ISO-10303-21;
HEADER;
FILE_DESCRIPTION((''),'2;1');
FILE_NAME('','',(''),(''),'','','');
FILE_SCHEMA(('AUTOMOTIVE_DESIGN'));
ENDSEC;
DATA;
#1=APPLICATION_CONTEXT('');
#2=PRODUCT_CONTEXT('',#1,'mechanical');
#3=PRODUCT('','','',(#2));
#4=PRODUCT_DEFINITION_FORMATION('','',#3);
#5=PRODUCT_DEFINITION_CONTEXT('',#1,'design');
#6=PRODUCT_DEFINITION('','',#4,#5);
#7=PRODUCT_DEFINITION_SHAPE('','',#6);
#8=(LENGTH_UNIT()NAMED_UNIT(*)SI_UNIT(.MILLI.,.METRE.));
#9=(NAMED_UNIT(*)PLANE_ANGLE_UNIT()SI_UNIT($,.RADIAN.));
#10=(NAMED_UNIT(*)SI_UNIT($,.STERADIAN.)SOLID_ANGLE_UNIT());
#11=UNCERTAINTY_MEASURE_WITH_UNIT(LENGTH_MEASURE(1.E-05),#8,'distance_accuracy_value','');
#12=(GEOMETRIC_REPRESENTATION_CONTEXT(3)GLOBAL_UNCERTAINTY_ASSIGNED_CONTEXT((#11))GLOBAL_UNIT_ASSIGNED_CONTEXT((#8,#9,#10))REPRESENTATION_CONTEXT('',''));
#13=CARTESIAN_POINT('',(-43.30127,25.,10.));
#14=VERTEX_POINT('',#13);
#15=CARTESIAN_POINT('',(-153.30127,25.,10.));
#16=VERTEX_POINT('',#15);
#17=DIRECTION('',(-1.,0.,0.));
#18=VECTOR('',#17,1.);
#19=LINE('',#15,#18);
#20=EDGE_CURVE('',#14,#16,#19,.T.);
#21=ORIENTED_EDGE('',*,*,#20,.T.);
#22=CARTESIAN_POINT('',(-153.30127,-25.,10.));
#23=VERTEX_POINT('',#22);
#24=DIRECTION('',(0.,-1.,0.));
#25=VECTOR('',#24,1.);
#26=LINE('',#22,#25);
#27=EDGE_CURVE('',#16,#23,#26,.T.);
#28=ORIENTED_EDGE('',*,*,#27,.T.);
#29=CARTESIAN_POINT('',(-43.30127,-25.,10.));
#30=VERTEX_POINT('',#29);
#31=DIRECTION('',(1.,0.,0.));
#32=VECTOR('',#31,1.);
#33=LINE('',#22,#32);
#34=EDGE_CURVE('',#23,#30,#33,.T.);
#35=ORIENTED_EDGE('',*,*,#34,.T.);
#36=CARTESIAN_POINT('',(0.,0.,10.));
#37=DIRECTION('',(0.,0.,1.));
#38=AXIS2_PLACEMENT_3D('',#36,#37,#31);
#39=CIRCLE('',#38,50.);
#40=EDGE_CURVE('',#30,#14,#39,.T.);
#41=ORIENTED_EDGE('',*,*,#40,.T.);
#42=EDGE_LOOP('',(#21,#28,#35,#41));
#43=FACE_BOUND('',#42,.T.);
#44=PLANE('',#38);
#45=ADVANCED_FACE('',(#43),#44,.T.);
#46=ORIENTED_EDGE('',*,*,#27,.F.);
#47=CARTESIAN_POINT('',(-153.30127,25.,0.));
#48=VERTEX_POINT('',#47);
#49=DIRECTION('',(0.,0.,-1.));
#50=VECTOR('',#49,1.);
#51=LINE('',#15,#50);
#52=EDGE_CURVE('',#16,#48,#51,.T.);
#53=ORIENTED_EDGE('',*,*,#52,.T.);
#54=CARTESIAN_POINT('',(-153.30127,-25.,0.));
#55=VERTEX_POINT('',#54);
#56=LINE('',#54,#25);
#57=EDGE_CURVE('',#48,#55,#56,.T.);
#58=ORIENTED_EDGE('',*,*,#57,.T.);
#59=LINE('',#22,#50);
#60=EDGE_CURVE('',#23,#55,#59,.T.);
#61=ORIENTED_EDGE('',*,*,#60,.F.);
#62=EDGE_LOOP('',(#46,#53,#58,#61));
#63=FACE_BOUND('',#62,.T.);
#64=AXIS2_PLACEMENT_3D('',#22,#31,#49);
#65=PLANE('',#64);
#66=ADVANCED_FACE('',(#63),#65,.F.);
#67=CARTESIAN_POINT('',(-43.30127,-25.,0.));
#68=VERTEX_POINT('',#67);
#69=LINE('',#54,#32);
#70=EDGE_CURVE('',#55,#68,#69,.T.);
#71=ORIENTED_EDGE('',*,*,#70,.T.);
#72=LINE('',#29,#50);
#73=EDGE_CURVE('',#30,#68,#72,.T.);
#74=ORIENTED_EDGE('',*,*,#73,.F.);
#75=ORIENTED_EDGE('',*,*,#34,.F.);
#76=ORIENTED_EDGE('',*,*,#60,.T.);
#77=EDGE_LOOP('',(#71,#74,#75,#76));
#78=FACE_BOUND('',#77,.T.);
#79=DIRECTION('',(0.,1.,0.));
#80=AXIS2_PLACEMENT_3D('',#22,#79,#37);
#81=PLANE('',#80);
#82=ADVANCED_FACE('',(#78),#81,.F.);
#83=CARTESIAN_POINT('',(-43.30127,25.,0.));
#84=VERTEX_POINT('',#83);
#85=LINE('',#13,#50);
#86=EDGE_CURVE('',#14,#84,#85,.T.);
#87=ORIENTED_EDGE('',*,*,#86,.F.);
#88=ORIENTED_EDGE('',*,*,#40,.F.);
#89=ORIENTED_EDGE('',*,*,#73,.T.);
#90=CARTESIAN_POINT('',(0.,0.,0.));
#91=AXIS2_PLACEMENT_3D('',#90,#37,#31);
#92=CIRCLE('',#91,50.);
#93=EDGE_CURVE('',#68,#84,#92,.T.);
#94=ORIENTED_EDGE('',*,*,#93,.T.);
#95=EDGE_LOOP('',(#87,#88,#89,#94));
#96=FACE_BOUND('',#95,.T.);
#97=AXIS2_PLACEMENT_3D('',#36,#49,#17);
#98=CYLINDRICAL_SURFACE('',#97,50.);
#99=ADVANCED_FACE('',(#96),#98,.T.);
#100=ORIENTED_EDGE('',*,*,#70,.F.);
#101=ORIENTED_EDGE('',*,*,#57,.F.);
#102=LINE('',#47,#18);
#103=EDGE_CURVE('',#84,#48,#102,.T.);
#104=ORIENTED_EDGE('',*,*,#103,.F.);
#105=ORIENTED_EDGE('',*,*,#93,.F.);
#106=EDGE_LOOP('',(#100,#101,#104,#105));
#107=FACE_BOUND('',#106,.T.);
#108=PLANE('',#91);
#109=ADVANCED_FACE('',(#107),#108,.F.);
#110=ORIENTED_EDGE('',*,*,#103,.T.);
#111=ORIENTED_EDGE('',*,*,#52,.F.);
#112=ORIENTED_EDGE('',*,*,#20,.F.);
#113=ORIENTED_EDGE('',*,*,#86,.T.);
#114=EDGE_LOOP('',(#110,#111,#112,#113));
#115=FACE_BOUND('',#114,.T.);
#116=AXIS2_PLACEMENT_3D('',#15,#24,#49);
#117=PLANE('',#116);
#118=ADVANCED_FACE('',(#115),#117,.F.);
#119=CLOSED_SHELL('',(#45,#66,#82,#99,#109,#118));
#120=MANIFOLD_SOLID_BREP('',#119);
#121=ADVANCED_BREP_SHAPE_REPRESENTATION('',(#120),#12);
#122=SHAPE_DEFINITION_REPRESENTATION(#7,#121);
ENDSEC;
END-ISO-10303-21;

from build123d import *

# Parameters (mm, degrees)
BOSS_EXTRUDE1_DEPTH = 10


with BuildPart() as part:
    # Sketch1 → Boss-Extrude1 (new body)
    with BuildSketch(Plane.XY):
        with BuildLine():
            Line((-153.301270189, -25), (-153.301270189, 25))
            Line((-153.301270189, 25), (-43.301270189, 25))
            ThreePointArc((-43.301270189, 25), (50, 0), (-43.301270189, -25))
            Line((-43.301270189, -25), (-153.301270189, -25))
        make_face()
    extrude(amount=BOSS_EXTRUDE1_DEPTH)


solid = part.part
